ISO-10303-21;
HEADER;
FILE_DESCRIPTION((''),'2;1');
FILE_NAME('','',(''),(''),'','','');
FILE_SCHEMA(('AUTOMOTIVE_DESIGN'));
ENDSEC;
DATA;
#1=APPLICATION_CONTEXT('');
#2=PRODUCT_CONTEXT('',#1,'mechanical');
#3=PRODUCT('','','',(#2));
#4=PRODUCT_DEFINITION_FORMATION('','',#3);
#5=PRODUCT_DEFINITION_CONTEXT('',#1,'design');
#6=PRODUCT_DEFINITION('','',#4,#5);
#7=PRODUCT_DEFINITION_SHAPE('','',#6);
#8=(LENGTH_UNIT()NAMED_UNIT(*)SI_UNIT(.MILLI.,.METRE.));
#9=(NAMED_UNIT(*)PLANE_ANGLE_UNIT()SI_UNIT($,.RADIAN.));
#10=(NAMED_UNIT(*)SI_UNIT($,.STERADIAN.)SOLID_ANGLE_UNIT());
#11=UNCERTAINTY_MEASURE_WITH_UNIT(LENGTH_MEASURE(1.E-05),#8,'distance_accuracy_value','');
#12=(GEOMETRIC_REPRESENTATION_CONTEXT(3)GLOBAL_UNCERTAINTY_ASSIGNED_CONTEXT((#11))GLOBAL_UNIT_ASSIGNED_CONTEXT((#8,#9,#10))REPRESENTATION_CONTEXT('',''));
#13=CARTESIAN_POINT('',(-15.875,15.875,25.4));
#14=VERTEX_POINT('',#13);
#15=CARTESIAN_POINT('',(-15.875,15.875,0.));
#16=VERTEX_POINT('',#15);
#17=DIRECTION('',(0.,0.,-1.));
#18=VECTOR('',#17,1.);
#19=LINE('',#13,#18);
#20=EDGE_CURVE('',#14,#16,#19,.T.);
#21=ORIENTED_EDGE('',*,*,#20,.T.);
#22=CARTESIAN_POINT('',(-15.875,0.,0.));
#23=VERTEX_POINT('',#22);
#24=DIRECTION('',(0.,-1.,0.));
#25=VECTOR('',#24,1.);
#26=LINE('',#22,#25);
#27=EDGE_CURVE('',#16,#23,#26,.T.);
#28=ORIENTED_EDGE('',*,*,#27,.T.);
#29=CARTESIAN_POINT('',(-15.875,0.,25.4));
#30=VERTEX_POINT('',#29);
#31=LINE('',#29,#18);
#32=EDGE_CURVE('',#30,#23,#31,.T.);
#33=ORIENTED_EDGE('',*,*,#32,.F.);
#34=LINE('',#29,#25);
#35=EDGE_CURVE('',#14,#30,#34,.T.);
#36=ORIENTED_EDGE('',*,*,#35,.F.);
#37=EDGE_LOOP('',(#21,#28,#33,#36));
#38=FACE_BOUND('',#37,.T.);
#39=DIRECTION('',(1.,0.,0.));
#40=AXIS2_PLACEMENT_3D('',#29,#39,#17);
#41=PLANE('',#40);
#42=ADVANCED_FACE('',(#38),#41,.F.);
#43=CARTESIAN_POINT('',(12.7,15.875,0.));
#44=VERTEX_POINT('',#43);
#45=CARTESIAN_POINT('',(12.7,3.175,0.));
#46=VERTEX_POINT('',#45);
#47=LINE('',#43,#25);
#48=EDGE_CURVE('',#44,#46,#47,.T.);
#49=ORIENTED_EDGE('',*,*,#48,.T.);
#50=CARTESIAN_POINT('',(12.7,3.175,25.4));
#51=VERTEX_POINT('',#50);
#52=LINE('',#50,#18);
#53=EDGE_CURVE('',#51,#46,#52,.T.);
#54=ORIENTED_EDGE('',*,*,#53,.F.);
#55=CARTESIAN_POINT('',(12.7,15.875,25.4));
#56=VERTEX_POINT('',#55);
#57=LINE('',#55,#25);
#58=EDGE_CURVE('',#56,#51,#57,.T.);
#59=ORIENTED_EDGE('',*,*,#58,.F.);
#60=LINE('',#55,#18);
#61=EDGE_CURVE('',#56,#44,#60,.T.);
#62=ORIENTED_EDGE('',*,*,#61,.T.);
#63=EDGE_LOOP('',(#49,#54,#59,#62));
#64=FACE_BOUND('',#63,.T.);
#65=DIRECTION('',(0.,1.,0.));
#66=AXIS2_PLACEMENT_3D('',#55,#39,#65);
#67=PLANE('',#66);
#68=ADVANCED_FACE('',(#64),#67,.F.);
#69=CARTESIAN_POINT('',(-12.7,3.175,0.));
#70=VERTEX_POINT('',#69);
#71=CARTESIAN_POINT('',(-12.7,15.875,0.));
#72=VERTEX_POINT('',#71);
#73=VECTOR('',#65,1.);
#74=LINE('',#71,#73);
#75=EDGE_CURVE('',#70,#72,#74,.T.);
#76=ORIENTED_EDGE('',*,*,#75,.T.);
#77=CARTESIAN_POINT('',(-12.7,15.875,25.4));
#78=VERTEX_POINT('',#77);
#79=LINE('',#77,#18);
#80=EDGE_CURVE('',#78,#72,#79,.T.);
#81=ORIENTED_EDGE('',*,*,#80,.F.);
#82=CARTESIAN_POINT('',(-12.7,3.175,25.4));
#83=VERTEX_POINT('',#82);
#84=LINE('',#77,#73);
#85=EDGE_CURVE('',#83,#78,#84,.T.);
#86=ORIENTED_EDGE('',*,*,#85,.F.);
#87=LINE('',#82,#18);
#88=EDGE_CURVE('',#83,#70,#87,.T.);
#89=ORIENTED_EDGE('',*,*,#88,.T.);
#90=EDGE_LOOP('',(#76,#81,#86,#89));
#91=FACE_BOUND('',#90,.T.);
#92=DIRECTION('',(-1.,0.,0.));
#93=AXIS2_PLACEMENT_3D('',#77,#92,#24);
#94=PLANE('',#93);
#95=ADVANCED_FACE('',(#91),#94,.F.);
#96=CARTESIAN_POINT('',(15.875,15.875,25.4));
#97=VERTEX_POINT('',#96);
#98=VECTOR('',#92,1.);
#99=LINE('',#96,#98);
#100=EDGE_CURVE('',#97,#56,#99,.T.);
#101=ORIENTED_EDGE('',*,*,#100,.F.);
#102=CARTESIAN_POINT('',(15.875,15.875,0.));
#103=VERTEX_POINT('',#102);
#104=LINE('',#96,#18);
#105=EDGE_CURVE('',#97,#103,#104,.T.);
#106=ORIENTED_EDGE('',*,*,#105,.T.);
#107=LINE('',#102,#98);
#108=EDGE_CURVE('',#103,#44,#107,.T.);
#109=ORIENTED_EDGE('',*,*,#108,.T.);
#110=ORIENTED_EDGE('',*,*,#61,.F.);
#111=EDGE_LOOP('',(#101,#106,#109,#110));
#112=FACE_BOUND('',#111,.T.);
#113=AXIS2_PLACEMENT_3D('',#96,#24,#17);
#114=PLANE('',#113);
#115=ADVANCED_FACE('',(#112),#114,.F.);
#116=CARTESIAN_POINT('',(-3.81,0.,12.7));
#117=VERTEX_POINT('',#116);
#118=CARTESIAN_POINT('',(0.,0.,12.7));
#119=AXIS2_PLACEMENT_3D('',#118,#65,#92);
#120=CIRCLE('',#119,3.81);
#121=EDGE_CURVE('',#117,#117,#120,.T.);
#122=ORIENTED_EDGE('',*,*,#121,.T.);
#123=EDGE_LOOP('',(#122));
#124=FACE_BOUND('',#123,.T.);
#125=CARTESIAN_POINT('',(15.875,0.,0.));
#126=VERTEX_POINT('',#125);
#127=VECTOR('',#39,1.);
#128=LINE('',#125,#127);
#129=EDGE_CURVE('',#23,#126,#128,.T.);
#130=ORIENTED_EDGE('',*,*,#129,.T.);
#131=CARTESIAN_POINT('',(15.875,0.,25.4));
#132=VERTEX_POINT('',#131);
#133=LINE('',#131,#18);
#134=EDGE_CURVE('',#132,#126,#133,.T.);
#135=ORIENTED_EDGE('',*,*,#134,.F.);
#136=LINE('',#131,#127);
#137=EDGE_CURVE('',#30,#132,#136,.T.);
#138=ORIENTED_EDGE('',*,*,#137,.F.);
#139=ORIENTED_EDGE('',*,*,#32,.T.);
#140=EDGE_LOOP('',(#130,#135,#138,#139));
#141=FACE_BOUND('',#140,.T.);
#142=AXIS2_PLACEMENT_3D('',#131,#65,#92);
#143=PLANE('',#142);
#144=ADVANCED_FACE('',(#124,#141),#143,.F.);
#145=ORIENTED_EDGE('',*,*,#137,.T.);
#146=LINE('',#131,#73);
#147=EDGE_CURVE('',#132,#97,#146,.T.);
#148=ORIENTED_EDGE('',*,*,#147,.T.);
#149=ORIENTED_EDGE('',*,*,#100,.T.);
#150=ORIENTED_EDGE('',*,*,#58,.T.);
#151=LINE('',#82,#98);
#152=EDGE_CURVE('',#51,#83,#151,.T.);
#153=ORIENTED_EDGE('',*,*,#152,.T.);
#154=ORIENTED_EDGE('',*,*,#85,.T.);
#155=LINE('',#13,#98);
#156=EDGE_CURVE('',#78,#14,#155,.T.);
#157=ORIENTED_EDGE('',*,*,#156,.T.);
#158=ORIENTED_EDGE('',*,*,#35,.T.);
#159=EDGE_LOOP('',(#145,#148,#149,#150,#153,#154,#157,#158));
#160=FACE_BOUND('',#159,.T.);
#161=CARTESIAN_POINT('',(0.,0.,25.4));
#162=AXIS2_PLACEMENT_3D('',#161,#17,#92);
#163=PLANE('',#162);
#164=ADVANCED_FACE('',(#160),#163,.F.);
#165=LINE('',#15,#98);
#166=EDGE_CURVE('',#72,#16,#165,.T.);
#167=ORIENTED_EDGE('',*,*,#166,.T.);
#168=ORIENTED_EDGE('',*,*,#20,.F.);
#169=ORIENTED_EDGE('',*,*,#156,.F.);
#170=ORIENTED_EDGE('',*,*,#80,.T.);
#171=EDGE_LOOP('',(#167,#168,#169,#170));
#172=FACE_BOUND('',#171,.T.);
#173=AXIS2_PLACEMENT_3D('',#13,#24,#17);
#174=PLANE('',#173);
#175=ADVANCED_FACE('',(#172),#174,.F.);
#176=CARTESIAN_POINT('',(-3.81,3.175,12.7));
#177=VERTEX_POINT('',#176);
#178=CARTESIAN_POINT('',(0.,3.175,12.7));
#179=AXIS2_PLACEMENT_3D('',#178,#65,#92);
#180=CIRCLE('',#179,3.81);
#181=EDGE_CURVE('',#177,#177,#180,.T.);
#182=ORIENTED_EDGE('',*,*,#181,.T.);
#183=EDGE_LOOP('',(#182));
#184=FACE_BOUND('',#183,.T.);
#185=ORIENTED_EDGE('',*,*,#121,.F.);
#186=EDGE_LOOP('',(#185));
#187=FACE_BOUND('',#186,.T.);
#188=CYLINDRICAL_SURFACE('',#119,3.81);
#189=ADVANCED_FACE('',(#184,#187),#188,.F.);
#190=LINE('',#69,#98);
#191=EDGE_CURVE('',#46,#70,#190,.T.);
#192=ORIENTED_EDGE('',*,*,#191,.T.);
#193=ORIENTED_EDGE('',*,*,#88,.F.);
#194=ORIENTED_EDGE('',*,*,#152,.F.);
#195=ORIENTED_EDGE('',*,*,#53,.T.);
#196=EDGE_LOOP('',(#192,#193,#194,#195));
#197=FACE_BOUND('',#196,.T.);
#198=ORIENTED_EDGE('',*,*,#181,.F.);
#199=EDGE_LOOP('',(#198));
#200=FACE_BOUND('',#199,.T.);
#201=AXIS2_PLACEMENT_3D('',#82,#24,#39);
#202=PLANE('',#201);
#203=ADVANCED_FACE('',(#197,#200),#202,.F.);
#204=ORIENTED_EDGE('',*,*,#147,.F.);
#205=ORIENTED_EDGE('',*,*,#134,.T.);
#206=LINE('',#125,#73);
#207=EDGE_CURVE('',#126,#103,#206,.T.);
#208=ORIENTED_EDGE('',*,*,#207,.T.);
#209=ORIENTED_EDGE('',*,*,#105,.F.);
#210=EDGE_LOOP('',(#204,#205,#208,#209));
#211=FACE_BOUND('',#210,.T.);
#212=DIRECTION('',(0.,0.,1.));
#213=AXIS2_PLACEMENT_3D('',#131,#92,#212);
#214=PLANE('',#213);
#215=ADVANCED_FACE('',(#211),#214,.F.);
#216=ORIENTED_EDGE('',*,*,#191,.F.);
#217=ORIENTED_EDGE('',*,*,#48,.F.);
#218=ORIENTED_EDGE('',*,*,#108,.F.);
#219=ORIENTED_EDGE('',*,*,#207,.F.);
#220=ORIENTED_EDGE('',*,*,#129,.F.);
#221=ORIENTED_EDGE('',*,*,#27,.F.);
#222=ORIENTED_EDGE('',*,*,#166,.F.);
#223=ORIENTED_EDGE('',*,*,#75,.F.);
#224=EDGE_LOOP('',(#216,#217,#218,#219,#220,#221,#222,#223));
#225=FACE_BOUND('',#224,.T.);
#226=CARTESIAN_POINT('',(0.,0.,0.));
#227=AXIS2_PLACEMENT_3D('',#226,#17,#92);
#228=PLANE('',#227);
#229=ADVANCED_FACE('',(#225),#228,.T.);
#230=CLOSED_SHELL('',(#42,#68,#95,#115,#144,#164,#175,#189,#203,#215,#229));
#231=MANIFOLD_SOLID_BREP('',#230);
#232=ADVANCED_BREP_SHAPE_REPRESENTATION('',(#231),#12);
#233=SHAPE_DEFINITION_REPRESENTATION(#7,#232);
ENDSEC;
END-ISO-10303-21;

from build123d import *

# Parameters (mm, degrees)
BOSS_EXTRUDE1_DEPTH = 25.4
SKETCH3_R           = 3.81
CUT_EXTRUDE1_DEPTH  = 33.534068682


with BuildPart() as part:
    # Sketch2 → Boss-Extrude1 (new body)
    with BuildSketch(Plane.XY):
        Polygon((15.875, 0), (-15.875, 0), (-15.875, 15.875), (-12.7, 15.875), (-12.7, 3.175), (12.7, 3.175), (12.7, 15.875), (15.875, 15.875), align=None)
    extrude(amount=BOSS_EXTRUDE1_DEPTH)

    # Sketch3 → Cut-Extrude1 (cut, through all)
    with BuildSketch(Plane(origin=(0, 3.175, 0), x_dir=(1, 0, 0), z_dir=(0, 1, 0))):
        with Locations(Location((0, -12.7, 0), (0, 0, 180))):
            Circle(SKETCH3_R)
    extrude(amount=-CUT_EXTRUDE1_DEPTH, mode=Mode.SUBTRACT)


solid = part.part
